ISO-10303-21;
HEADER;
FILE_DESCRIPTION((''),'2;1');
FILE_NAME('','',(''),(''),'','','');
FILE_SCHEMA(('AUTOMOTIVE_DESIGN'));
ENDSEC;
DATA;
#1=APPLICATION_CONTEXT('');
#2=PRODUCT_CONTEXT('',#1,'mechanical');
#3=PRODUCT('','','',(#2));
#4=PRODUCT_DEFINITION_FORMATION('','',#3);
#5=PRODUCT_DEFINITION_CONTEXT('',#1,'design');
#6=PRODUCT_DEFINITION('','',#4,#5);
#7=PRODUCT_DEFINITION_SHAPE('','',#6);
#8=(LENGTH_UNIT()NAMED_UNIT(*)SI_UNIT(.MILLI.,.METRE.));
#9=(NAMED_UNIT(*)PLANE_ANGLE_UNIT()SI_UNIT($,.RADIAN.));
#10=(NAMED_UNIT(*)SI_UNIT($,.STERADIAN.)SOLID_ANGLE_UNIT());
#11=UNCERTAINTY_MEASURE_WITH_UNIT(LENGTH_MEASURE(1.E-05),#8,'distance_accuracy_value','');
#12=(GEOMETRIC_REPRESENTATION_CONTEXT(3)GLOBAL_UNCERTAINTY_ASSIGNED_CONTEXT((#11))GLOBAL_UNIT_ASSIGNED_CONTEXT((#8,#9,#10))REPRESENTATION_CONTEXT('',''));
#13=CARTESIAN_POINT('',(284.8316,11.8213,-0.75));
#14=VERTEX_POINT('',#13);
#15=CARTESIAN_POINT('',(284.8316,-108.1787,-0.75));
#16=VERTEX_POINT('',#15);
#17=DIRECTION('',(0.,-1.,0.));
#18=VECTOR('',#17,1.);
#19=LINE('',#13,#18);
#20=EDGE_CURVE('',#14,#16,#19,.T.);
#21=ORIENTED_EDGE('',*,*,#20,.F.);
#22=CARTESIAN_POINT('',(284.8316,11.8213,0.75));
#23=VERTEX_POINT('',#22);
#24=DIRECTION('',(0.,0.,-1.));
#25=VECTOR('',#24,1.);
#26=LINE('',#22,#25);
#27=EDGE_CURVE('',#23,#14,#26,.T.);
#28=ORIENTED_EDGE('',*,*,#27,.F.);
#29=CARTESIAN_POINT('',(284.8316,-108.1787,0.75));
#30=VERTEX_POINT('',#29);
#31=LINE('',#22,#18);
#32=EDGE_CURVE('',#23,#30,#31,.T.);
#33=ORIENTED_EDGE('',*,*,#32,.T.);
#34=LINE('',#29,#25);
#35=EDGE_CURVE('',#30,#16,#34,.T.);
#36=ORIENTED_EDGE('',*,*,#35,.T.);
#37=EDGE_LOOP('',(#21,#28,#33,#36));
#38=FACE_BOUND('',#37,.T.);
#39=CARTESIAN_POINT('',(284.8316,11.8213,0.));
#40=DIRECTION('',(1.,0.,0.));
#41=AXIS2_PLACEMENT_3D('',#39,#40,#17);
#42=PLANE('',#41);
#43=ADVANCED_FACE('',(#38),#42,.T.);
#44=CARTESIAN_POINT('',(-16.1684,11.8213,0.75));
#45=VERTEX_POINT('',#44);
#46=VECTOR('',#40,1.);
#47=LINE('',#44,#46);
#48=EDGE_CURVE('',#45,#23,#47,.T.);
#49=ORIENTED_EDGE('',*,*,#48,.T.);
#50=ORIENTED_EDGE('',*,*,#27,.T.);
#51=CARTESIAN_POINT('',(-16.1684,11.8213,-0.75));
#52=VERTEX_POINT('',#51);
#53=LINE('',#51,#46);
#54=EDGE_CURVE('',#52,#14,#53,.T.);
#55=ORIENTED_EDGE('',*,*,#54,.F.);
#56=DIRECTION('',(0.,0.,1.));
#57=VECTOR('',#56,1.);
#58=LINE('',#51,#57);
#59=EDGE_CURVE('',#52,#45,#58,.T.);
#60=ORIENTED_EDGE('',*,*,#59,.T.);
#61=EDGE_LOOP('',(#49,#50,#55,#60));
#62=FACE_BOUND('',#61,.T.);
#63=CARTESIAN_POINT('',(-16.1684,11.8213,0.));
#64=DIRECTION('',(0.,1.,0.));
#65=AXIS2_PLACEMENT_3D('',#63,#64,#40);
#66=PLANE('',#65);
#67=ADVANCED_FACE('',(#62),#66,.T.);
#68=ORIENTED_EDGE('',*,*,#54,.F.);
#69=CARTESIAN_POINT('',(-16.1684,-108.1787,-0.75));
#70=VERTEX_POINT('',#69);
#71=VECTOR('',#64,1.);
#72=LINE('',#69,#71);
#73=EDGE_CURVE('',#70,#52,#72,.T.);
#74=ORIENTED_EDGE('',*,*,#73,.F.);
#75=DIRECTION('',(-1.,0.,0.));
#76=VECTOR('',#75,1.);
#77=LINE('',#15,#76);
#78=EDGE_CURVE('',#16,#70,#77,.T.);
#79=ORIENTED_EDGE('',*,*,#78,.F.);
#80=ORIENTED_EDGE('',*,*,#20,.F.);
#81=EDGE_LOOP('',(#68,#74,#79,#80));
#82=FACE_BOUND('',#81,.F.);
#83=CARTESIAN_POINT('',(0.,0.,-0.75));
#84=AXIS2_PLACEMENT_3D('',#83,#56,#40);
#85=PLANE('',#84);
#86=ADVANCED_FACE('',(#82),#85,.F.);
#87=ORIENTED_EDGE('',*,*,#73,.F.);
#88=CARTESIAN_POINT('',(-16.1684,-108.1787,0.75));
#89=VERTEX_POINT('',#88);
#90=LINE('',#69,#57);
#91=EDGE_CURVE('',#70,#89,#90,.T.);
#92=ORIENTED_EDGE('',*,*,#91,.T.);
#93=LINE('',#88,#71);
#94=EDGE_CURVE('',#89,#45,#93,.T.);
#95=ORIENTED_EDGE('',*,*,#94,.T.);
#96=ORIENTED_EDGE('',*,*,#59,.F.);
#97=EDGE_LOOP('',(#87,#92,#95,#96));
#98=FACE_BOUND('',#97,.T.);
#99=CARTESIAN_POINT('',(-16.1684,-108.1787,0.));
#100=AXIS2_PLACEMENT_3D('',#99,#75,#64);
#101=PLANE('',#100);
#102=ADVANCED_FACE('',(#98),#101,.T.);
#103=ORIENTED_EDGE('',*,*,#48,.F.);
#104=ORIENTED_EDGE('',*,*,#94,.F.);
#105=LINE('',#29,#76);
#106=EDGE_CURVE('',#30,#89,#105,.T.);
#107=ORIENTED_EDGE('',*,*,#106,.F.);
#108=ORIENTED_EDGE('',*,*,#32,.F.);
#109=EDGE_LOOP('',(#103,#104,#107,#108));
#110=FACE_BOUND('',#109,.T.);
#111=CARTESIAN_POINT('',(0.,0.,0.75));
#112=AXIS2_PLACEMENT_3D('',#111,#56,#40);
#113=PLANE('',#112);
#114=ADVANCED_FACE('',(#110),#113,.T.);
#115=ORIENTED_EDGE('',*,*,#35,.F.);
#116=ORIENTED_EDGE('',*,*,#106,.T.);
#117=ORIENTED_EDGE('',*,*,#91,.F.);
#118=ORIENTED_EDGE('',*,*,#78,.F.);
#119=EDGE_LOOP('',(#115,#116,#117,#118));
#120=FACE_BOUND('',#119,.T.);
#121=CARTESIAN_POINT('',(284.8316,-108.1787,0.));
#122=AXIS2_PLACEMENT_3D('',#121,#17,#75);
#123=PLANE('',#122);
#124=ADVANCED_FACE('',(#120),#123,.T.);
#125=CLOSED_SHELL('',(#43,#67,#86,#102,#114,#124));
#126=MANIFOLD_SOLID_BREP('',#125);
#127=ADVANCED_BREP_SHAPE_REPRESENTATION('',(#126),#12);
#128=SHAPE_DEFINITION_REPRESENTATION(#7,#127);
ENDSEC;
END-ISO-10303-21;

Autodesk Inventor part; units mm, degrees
ref_plane "YZ Plane" through (0, 0, 0) normal (1, 0, 0) x (0, 1, 0)
ref_plane "XZ Plane" through (0, 0, 0) normal (0, 1, 0) x (-1, 0, 0)
ref_plane "XY Plane" through (0, 0, 0) normal (0, 0, 1) x (1, 0, 0)
sketch "Boceto1" plane through (0, 0, 0) normal (0, 0, 1) x (1, 0, 0)
  line L0 (-16.1684, 11.8213) -> (284.8316, 11.8213)
  line L1 (284.8316, 11.8213) -> (284.8316, -108.1787)
  line L2 (284.8316, -108.1787) -> (-16.1684, -108.1787)
  line L3 (-16.1684, -108.1787) -> (-16.1684, 11.8213)
  point P0 (0, 0)
  dimension "d0" = 301
  dimension "d1" = 120
extrude "Extrusión1" add sketch "Boceto1" along normal mid plane 1.5
properties part number "placa superior"
